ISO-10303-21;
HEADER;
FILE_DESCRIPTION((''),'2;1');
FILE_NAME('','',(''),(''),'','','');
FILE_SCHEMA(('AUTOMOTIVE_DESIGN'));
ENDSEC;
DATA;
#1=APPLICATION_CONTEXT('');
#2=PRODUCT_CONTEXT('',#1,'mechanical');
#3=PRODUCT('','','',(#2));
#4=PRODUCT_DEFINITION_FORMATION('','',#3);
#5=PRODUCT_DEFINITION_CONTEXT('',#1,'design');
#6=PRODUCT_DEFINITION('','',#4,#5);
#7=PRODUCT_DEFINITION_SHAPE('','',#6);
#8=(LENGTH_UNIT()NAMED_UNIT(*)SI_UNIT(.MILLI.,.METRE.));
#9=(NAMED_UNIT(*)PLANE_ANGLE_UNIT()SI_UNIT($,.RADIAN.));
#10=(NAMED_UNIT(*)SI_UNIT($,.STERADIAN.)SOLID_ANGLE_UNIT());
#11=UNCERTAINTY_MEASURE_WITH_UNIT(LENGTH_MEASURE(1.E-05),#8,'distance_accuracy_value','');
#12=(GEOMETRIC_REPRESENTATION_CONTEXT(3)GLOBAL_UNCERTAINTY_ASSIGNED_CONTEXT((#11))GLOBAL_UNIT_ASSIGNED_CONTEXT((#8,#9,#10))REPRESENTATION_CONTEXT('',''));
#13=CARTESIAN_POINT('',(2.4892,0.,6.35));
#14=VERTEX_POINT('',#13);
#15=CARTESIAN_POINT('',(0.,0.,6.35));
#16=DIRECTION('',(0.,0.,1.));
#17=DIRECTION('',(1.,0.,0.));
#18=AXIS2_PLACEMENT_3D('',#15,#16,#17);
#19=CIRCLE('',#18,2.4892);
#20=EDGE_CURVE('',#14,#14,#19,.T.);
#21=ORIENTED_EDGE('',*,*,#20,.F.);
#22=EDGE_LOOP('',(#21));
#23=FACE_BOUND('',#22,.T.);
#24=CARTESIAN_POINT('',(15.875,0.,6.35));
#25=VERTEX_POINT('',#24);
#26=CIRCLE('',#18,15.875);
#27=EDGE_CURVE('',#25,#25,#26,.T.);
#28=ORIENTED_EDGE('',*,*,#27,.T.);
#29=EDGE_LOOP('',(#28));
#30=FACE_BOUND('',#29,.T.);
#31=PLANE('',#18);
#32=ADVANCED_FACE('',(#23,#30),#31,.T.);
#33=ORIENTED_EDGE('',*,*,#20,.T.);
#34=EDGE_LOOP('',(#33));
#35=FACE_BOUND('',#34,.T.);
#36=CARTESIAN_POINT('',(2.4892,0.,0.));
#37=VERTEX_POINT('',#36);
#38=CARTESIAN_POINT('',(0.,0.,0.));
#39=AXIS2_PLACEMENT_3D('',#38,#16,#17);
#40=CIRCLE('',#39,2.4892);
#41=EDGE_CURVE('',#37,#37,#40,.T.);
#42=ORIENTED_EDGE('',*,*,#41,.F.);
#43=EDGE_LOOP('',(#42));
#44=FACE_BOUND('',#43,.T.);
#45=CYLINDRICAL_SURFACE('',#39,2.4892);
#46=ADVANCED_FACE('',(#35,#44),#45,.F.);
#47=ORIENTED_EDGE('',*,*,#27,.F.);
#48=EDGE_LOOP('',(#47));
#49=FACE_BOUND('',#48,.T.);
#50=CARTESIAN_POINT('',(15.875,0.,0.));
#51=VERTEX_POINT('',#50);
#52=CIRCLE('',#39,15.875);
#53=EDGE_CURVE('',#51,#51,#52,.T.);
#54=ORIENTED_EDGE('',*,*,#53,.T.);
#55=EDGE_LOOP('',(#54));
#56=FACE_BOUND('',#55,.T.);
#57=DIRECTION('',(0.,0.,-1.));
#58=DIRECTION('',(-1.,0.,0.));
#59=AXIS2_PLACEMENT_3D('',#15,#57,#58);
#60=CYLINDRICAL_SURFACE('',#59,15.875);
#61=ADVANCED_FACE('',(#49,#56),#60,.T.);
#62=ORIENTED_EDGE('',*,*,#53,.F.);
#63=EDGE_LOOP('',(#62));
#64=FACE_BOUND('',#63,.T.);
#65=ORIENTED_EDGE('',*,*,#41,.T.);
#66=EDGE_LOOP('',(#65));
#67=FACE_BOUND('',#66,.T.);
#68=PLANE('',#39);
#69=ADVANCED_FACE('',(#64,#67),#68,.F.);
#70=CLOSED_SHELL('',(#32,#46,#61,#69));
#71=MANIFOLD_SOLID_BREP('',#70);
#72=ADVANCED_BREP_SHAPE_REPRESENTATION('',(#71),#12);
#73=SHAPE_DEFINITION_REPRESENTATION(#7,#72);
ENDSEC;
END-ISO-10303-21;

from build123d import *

# Parameters (mm, degrees)
SKETCH1_R           = 15.875
BOSS_EXTRUDE1_DEPTH = 6.35
SKETCH2_R           = 2.4892
CUT_EXTRUDE1_DEPTH  = 24.3313898


with BuildPart() as part:
    # Sketch1 → Boss-Extrude1 (new body)
    with BuildSketch(Plane.XY):
        Circle(SKETCH1_R)
    extrude(amount=BOSS_EXTRUDE1_DEPTH)

    # Sketch2 → Cut-Extrude1 (cut, through all)
    with BuildSketch(Plane.XY.offset(6.35)):
        Circle(SKETCH2_R)
    extrude(amount=-CUT_EXTRUDE1_DEPTH, mode=Mode.SUBTRACT)


solid = part.part
